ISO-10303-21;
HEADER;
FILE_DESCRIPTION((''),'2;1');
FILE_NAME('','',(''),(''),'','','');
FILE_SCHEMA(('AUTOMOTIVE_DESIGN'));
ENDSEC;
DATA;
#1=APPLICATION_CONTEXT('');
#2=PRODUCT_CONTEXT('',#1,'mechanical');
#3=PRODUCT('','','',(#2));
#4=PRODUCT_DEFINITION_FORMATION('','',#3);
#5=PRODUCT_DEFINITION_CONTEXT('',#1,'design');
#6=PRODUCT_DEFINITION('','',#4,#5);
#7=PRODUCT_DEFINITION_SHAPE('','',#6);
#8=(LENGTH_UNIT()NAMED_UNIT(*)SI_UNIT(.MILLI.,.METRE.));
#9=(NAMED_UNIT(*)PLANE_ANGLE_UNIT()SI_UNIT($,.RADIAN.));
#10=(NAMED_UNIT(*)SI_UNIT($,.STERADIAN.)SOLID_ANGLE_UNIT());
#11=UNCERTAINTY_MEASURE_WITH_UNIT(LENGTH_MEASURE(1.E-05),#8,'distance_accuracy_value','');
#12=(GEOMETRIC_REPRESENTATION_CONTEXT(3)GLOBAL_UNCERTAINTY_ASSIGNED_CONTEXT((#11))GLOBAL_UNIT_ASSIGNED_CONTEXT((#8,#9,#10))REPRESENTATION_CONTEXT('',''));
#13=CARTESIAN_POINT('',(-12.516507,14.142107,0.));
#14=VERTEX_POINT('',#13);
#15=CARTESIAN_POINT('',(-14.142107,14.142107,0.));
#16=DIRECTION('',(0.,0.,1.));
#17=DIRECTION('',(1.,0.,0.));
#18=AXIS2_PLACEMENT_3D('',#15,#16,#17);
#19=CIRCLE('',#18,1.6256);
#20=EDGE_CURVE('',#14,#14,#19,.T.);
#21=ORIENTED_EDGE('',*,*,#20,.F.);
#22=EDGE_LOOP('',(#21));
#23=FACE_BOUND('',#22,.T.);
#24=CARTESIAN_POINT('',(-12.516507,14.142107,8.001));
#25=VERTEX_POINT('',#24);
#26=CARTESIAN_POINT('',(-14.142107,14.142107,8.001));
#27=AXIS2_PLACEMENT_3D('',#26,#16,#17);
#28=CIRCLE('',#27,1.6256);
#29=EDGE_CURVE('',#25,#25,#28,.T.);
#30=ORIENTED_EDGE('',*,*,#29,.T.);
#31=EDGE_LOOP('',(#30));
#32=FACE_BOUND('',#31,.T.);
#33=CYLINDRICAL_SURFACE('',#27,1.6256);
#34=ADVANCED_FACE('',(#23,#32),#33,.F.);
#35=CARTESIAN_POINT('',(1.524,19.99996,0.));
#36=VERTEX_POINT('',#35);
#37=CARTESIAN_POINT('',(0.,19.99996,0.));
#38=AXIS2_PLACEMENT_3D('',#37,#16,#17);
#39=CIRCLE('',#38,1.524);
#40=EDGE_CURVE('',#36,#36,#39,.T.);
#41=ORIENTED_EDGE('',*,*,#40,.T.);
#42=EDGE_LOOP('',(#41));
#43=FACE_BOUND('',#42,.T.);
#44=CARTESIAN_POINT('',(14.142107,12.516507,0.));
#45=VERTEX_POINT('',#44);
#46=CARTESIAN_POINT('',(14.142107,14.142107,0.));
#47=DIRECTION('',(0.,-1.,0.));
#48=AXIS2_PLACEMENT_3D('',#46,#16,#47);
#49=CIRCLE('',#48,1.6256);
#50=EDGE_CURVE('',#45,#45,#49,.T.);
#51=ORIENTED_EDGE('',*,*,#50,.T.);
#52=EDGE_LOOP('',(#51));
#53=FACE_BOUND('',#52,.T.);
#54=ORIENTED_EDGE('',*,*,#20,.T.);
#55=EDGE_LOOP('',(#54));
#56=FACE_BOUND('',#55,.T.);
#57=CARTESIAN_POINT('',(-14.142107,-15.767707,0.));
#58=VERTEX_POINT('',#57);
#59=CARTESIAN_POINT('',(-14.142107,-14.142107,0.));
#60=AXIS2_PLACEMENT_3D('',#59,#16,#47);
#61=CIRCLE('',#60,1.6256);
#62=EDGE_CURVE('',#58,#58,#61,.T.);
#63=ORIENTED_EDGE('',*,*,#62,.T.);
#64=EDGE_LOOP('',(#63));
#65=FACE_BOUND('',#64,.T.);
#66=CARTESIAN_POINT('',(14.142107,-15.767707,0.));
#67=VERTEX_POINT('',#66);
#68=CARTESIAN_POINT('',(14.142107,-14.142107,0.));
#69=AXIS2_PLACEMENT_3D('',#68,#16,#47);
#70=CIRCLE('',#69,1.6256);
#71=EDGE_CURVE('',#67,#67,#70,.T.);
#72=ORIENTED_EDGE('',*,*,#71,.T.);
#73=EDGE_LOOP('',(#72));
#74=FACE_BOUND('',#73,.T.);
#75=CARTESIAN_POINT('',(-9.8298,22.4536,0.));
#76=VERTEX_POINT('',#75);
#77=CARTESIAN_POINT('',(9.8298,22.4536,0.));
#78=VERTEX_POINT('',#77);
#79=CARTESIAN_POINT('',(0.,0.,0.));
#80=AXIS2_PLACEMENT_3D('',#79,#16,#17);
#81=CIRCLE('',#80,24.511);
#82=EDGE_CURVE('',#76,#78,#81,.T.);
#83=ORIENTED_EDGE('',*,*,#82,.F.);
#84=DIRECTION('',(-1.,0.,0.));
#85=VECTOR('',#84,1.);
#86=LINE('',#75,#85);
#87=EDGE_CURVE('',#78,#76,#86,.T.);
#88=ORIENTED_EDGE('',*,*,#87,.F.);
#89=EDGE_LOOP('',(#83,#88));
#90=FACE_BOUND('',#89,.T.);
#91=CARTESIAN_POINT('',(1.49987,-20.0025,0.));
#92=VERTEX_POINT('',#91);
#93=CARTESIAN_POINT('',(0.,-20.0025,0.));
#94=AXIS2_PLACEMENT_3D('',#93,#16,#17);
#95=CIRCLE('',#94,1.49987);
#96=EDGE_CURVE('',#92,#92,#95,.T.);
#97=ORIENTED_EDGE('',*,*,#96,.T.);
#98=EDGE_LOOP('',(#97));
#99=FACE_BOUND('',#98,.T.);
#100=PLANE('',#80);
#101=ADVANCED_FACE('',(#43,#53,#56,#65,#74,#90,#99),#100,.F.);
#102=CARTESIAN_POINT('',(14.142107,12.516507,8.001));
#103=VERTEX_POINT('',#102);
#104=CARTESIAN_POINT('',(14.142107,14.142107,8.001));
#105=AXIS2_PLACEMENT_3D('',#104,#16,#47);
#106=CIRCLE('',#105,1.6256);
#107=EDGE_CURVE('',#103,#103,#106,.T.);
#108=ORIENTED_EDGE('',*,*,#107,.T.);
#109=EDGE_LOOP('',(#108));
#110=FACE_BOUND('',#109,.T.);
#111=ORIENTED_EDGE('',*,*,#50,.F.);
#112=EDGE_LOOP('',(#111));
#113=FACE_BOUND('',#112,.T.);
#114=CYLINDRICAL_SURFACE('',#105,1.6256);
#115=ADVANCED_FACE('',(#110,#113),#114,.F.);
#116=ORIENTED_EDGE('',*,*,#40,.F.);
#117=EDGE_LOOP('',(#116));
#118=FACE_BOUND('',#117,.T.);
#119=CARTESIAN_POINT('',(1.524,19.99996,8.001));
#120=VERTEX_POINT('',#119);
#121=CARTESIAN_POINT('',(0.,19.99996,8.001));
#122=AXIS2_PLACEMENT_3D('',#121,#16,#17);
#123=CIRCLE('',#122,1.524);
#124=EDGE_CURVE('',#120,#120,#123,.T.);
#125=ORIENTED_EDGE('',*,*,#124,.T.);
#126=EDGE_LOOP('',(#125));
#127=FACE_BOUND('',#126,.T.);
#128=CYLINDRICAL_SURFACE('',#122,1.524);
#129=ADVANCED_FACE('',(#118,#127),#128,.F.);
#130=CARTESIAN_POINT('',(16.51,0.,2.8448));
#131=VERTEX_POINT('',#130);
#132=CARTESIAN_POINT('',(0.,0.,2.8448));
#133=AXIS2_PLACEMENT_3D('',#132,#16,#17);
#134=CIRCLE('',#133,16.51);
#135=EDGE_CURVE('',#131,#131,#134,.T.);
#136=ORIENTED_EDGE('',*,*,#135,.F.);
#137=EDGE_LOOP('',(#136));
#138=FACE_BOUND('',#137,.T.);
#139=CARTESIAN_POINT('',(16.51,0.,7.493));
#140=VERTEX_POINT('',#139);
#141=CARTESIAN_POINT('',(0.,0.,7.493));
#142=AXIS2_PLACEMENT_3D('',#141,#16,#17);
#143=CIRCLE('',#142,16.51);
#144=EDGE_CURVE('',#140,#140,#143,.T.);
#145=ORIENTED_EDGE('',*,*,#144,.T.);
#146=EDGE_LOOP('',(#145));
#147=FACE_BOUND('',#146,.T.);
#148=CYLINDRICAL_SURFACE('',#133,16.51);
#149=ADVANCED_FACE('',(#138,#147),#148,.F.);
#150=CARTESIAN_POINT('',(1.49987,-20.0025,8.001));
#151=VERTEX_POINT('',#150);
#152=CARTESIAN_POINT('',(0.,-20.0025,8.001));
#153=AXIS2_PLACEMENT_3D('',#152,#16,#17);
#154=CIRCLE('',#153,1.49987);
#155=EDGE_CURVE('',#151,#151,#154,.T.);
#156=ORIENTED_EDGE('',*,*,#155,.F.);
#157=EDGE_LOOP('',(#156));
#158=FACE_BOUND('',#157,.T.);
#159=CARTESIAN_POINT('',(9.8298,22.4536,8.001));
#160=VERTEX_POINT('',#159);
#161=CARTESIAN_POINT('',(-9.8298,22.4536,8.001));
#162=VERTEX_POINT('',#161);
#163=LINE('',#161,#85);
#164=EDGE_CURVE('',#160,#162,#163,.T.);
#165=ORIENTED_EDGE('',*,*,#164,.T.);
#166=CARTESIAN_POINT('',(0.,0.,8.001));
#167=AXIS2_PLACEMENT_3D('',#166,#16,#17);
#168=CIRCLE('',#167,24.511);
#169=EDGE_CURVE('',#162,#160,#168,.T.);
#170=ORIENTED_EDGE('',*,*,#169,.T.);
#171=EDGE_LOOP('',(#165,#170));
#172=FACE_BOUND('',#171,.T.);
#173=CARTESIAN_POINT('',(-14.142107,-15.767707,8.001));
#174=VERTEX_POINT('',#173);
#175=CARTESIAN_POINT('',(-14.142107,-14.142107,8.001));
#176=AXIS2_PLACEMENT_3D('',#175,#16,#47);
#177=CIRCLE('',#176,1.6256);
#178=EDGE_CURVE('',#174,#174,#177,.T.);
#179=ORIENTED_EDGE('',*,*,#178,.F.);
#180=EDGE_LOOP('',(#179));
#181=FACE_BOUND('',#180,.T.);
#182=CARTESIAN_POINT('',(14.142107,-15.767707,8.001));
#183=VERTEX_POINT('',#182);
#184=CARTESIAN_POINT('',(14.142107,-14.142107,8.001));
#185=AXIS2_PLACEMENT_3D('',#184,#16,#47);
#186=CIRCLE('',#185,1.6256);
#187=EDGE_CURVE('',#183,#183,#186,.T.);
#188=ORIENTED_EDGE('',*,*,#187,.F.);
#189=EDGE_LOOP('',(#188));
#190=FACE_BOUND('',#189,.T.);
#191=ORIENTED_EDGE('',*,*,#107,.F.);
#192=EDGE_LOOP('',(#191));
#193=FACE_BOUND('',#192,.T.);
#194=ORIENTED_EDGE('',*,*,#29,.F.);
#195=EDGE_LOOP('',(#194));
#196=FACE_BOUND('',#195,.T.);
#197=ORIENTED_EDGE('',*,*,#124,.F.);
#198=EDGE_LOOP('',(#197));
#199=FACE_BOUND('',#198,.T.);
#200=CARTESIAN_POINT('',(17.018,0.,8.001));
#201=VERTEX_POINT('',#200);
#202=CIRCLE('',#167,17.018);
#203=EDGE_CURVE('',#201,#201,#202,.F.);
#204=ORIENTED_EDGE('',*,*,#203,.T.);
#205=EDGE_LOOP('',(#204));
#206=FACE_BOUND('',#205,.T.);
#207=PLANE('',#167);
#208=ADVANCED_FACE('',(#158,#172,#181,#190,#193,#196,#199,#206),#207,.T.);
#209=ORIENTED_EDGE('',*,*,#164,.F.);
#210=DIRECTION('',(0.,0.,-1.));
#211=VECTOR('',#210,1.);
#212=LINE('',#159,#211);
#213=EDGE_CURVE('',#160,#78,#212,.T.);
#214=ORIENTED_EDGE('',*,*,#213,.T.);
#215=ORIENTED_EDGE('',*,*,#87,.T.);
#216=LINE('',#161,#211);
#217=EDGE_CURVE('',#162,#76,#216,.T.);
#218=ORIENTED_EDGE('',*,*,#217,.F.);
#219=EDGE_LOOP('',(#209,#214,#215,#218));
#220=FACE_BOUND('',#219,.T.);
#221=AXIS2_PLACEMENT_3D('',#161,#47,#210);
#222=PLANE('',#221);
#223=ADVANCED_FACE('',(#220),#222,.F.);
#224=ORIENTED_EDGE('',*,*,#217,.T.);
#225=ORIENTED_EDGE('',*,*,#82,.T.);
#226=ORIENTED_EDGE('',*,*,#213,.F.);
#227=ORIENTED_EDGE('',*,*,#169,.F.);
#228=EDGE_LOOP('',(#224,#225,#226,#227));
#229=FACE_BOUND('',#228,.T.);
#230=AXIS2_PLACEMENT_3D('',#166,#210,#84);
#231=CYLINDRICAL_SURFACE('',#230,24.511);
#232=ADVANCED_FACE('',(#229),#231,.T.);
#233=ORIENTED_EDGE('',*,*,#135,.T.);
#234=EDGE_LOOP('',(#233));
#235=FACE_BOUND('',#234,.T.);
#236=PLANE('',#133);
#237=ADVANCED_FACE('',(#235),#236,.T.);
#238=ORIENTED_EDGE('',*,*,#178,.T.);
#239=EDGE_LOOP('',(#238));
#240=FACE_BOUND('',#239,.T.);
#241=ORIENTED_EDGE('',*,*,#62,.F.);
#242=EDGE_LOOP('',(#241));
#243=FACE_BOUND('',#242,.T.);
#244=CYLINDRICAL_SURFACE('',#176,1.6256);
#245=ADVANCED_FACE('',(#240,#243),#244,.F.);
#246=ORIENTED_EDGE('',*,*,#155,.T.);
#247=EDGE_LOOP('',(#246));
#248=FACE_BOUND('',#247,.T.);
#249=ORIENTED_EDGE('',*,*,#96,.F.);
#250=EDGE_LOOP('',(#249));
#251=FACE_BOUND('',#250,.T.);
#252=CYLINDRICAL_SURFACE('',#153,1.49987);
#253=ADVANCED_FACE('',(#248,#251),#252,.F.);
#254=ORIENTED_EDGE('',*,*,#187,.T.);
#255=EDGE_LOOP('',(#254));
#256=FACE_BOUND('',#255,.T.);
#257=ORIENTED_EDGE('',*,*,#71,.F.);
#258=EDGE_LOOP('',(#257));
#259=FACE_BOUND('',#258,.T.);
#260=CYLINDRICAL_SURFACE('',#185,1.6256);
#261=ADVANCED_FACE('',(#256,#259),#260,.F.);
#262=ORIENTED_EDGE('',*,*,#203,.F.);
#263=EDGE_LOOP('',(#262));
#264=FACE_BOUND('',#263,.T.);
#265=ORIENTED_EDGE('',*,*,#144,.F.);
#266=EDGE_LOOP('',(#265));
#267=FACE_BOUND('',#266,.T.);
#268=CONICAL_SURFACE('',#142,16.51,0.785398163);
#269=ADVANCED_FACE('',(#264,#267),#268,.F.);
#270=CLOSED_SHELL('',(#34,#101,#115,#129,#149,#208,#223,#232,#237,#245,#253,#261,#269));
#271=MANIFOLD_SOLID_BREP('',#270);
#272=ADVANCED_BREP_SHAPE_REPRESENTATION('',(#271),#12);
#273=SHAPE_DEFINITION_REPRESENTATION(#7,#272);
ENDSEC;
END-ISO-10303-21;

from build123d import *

# Parameters (mm, degrees)
BASE_EXTRUDE_DEPTH = 8.001
HOLE1_D            = 3.048
HOLE2_D            = 3.2512
CIRPATTERN1_COUNT  = 4
HOLE3_D            = 2.99974
SKETCH8_R          = 16.51
CUT_EXTRUDE1_DEPTH = 5.1562
CHAMFER1_SIZE      = 0.508


with BuildPart() as part:
    # Sketch1 → Base-Extrude (new body)
    with BuildSketch(Plane.XY):
        with BuildLine():
            Line((-9.8298, 22.4536), (9.8298, 22.4536))
            ThreePointArc((9.8298, 22.4536), (0, -24.511), (-9.8298, 22.4536))
        make_face()
    extrude(amount=BASE_EXTRUDE_DEPTH)

    # Hole1 (through all)
    with Locations(Plane.XY.offset(8.001)):
        with Locations((0, 19.99996)):
            Hole(HOLE1_D / 2)

    # Hole2 (through all)
    with Locations(Plane.XY.offset(8.001)):
        with Locations((-14.142107339, 14.142107339)):
            hole2 = Hole(HOLE2_D / 2)

    # CirPattern1: Hole2 ×4 about axis
    cirpattern1_axis = Axis((0, 0, 0), (0, 0, 1))
    for i in range(1, CIRPATTERN1_COUNT):
        add(hole2.rotate(cirpattern1_axis, i * 360 / CIRPATTERN1_COUNT), mode=Mode.SUBTRACT)

    # Hole3 (through all)
    with Locations(Plane.XY.offset(8.001)):
        with Locations((0, -20.0025)):
            Hole(HOLE3_D / 2)

    # Sketch8 → Cut-Extrude1 (cut)
    with BuildSketch(Plane.XY.offset(8.001)):
        Circle(SKETCH8_R)
    extrude(amount=-CUT_EXTRUDE1_DEPTH, mode=Mode.SUBTRACT)

    # Chamfer1
    chamfer1_edges = [part.edges().sort_by_distance(p)[0] for p in [
        (-16.51, 0, 8.001),
    ]]
    chamfer(chamfer1_edges, length=CHAMFER1_SIZE)


solid = part.part
